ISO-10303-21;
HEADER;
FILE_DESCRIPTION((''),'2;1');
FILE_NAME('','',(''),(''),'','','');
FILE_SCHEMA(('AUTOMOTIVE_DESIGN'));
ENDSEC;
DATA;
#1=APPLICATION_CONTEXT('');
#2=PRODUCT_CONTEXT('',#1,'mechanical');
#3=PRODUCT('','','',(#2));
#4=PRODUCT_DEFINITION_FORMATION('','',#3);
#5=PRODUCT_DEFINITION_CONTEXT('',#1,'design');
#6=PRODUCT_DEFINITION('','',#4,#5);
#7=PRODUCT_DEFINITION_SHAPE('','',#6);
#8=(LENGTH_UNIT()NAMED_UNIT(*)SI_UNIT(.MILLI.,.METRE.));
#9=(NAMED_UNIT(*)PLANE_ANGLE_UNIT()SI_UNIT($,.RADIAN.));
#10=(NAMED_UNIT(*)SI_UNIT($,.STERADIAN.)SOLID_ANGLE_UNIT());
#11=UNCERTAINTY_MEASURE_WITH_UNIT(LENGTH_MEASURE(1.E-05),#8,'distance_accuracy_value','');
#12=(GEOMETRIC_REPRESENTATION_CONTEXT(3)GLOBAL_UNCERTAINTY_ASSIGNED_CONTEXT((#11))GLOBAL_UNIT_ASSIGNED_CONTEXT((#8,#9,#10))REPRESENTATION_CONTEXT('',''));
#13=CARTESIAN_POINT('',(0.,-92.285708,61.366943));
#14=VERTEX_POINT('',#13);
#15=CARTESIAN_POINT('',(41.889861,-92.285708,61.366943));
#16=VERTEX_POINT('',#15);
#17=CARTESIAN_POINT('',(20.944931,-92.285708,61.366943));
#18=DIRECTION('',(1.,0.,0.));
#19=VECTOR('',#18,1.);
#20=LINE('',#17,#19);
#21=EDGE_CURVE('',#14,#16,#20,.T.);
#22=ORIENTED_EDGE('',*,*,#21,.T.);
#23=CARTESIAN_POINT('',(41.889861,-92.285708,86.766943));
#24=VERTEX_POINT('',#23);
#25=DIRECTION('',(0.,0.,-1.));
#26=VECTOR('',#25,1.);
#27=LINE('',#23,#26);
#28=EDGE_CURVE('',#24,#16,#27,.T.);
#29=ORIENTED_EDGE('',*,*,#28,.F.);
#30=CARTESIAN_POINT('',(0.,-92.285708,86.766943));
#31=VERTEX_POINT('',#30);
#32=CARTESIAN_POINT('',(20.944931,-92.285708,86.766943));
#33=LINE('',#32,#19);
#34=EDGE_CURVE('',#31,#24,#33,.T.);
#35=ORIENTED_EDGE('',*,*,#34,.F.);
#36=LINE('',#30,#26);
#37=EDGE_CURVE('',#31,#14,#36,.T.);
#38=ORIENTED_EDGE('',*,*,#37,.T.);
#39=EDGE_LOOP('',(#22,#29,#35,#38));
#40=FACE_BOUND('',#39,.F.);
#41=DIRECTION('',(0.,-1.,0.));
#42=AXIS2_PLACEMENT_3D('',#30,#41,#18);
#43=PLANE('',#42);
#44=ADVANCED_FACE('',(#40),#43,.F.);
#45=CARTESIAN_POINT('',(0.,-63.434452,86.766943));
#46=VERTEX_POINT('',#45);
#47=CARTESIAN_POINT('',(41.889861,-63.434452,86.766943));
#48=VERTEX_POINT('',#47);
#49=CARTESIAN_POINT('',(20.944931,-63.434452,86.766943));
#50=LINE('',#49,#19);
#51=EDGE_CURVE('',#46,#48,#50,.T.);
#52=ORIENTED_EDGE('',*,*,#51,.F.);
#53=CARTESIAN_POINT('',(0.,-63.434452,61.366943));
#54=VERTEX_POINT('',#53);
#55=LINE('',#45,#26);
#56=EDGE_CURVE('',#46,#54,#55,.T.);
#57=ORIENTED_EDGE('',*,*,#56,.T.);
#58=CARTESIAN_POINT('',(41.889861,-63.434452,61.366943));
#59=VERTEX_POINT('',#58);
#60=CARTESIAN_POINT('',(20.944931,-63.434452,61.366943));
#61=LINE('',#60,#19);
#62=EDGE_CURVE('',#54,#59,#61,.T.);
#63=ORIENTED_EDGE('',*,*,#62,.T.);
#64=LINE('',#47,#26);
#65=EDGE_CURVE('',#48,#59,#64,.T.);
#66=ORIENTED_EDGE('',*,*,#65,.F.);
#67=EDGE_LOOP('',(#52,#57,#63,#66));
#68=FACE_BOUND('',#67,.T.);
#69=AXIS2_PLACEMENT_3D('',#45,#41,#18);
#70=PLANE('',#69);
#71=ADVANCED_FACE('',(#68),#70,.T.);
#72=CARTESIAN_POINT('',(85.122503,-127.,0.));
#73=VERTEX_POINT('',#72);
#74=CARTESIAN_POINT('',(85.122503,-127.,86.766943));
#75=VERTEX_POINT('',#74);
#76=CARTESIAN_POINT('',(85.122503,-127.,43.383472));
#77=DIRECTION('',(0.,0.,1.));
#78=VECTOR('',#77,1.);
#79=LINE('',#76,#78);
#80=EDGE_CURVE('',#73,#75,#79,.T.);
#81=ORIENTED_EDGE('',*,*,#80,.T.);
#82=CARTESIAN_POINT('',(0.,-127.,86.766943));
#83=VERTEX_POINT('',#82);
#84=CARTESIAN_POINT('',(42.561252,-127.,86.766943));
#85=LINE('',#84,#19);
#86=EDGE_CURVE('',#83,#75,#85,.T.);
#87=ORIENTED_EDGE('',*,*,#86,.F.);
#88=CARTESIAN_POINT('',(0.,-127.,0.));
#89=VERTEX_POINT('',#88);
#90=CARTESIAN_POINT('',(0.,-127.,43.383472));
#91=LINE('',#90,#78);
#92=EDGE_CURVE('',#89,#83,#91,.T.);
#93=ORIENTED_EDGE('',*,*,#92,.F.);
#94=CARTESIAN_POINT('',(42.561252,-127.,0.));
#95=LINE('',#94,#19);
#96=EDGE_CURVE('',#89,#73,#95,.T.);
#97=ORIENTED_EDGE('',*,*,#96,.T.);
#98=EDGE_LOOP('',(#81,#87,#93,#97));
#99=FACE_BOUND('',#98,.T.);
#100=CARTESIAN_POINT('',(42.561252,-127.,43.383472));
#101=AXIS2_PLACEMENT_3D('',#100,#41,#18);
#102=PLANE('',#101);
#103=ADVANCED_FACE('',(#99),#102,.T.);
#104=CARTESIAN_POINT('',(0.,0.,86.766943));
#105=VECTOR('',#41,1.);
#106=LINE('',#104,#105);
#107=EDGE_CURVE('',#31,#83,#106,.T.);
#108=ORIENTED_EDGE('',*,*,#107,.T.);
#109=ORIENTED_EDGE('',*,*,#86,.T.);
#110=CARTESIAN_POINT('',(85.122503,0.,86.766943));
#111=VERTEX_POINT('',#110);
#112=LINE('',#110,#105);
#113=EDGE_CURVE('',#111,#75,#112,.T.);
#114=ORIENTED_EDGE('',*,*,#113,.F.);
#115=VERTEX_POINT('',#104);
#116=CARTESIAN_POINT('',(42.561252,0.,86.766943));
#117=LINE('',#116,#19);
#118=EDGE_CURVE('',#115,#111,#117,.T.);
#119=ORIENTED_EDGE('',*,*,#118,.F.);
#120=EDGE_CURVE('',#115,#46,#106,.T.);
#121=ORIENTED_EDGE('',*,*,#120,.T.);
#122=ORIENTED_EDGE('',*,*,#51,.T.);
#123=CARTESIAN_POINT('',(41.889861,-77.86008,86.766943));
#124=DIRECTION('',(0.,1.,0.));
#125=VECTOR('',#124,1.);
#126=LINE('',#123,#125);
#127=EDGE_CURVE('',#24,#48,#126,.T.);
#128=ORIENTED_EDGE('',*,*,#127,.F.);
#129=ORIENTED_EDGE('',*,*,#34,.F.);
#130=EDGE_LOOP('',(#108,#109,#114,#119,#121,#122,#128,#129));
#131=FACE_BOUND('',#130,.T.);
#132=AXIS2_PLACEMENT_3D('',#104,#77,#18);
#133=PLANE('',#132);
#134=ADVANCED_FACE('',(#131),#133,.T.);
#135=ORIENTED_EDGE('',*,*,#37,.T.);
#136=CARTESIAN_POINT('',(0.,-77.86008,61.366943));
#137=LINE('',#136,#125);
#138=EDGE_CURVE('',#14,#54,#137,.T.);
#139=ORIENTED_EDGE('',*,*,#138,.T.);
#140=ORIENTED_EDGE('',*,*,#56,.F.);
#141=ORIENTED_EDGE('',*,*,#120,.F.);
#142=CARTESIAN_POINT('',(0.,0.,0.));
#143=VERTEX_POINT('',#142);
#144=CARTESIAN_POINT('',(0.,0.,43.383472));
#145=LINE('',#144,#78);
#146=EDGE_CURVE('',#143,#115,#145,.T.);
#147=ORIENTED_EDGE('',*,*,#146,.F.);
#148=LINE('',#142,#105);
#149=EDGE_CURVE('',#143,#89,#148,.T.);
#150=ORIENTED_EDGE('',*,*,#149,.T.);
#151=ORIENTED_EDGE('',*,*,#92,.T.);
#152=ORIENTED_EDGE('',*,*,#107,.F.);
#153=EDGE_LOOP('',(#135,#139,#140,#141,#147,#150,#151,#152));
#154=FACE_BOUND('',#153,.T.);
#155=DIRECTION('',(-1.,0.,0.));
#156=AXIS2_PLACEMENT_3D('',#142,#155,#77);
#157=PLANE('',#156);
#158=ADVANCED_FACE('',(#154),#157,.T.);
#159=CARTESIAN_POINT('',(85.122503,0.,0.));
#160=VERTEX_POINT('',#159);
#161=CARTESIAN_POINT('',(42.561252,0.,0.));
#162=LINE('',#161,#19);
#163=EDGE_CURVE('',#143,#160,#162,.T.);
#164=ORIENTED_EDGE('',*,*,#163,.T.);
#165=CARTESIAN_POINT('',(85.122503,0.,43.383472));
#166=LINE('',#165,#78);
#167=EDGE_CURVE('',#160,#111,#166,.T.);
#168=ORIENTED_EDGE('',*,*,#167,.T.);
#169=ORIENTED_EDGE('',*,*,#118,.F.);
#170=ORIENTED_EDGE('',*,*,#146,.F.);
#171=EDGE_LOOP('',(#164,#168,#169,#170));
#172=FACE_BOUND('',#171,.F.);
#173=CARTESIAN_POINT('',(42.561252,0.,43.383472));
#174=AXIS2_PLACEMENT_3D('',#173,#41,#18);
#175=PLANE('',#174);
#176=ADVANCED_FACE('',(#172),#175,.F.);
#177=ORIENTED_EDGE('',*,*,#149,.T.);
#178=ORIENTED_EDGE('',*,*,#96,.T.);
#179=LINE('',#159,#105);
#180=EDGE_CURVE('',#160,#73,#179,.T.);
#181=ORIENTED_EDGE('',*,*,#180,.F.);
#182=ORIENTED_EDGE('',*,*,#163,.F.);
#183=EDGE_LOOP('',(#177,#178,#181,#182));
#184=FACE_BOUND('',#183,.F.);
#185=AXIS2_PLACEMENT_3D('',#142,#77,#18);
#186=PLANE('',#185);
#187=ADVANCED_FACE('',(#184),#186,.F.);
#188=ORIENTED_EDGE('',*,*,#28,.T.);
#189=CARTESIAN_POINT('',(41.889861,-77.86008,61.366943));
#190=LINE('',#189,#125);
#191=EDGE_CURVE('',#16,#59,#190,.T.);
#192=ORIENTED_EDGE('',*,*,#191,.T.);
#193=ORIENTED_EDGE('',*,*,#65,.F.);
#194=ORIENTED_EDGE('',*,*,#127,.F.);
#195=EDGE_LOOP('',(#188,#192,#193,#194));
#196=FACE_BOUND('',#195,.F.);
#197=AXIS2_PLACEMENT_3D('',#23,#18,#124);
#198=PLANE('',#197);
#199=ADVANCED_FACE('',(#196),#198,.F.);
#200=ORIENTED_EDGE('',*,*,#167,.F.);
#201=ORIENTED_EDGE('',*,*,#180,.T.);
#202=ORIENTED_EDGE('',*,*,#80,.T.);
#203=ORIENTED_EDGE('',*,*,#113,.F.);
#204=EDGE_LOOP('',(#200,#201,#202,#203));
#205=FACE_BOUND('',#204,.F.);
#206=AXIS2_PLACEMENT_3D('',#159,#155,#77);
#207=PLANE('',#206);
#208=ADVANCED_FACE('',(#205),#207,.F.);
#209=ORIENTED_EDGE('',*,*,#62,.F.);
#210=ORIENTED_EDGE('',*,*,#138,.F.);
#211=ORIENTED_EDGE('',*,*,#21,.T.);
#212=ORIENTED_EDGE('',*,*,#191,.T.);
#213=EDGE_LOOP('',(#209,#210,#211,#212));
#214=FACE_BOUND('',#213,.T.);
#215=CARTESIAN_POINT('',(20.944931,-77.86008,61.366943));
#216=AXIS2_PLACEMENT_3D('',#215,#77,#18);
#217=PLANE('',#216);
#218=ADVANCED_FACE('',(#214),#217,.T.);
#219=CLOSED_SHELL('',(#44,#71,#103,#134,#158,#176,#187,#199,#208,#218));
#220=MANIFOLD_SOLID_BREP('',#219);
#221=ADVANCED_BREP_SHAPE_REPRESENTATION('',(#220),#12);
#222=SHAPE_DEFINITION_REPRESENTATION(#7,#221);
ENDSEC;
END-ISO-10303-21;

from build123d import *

# Parameters (mm, degrees)
F0_W     = 85.1225033402
F0_H     = 86.7669433355
F6_DEPTH = 127
F7_W     = 41.8898612261
F7_H     = 28.8512557745
F1_DEPTH = 25.4


with BuildPart() as f6:
    # F0 (on face) → F6 (new body)
    with BuildSketch(Plane.XZ):
        with Locations((42.5612516701, 43.3834716678)):
            Rectangle(F0_W, F0_H)
    extrude(amount=F6_DEPTH)

    # F7 (on face) → F1 (cut)
    with BuildSketch(Plane.XY.offset(86.7669433355)):
        with Locations((20.944930613, -77.8600797057)):
            Rectangle(F7_W, F7_H)
    extrude(amount=-F1_DEPTH, mode=Mode.SUBTRACT)


solid = f6.part
